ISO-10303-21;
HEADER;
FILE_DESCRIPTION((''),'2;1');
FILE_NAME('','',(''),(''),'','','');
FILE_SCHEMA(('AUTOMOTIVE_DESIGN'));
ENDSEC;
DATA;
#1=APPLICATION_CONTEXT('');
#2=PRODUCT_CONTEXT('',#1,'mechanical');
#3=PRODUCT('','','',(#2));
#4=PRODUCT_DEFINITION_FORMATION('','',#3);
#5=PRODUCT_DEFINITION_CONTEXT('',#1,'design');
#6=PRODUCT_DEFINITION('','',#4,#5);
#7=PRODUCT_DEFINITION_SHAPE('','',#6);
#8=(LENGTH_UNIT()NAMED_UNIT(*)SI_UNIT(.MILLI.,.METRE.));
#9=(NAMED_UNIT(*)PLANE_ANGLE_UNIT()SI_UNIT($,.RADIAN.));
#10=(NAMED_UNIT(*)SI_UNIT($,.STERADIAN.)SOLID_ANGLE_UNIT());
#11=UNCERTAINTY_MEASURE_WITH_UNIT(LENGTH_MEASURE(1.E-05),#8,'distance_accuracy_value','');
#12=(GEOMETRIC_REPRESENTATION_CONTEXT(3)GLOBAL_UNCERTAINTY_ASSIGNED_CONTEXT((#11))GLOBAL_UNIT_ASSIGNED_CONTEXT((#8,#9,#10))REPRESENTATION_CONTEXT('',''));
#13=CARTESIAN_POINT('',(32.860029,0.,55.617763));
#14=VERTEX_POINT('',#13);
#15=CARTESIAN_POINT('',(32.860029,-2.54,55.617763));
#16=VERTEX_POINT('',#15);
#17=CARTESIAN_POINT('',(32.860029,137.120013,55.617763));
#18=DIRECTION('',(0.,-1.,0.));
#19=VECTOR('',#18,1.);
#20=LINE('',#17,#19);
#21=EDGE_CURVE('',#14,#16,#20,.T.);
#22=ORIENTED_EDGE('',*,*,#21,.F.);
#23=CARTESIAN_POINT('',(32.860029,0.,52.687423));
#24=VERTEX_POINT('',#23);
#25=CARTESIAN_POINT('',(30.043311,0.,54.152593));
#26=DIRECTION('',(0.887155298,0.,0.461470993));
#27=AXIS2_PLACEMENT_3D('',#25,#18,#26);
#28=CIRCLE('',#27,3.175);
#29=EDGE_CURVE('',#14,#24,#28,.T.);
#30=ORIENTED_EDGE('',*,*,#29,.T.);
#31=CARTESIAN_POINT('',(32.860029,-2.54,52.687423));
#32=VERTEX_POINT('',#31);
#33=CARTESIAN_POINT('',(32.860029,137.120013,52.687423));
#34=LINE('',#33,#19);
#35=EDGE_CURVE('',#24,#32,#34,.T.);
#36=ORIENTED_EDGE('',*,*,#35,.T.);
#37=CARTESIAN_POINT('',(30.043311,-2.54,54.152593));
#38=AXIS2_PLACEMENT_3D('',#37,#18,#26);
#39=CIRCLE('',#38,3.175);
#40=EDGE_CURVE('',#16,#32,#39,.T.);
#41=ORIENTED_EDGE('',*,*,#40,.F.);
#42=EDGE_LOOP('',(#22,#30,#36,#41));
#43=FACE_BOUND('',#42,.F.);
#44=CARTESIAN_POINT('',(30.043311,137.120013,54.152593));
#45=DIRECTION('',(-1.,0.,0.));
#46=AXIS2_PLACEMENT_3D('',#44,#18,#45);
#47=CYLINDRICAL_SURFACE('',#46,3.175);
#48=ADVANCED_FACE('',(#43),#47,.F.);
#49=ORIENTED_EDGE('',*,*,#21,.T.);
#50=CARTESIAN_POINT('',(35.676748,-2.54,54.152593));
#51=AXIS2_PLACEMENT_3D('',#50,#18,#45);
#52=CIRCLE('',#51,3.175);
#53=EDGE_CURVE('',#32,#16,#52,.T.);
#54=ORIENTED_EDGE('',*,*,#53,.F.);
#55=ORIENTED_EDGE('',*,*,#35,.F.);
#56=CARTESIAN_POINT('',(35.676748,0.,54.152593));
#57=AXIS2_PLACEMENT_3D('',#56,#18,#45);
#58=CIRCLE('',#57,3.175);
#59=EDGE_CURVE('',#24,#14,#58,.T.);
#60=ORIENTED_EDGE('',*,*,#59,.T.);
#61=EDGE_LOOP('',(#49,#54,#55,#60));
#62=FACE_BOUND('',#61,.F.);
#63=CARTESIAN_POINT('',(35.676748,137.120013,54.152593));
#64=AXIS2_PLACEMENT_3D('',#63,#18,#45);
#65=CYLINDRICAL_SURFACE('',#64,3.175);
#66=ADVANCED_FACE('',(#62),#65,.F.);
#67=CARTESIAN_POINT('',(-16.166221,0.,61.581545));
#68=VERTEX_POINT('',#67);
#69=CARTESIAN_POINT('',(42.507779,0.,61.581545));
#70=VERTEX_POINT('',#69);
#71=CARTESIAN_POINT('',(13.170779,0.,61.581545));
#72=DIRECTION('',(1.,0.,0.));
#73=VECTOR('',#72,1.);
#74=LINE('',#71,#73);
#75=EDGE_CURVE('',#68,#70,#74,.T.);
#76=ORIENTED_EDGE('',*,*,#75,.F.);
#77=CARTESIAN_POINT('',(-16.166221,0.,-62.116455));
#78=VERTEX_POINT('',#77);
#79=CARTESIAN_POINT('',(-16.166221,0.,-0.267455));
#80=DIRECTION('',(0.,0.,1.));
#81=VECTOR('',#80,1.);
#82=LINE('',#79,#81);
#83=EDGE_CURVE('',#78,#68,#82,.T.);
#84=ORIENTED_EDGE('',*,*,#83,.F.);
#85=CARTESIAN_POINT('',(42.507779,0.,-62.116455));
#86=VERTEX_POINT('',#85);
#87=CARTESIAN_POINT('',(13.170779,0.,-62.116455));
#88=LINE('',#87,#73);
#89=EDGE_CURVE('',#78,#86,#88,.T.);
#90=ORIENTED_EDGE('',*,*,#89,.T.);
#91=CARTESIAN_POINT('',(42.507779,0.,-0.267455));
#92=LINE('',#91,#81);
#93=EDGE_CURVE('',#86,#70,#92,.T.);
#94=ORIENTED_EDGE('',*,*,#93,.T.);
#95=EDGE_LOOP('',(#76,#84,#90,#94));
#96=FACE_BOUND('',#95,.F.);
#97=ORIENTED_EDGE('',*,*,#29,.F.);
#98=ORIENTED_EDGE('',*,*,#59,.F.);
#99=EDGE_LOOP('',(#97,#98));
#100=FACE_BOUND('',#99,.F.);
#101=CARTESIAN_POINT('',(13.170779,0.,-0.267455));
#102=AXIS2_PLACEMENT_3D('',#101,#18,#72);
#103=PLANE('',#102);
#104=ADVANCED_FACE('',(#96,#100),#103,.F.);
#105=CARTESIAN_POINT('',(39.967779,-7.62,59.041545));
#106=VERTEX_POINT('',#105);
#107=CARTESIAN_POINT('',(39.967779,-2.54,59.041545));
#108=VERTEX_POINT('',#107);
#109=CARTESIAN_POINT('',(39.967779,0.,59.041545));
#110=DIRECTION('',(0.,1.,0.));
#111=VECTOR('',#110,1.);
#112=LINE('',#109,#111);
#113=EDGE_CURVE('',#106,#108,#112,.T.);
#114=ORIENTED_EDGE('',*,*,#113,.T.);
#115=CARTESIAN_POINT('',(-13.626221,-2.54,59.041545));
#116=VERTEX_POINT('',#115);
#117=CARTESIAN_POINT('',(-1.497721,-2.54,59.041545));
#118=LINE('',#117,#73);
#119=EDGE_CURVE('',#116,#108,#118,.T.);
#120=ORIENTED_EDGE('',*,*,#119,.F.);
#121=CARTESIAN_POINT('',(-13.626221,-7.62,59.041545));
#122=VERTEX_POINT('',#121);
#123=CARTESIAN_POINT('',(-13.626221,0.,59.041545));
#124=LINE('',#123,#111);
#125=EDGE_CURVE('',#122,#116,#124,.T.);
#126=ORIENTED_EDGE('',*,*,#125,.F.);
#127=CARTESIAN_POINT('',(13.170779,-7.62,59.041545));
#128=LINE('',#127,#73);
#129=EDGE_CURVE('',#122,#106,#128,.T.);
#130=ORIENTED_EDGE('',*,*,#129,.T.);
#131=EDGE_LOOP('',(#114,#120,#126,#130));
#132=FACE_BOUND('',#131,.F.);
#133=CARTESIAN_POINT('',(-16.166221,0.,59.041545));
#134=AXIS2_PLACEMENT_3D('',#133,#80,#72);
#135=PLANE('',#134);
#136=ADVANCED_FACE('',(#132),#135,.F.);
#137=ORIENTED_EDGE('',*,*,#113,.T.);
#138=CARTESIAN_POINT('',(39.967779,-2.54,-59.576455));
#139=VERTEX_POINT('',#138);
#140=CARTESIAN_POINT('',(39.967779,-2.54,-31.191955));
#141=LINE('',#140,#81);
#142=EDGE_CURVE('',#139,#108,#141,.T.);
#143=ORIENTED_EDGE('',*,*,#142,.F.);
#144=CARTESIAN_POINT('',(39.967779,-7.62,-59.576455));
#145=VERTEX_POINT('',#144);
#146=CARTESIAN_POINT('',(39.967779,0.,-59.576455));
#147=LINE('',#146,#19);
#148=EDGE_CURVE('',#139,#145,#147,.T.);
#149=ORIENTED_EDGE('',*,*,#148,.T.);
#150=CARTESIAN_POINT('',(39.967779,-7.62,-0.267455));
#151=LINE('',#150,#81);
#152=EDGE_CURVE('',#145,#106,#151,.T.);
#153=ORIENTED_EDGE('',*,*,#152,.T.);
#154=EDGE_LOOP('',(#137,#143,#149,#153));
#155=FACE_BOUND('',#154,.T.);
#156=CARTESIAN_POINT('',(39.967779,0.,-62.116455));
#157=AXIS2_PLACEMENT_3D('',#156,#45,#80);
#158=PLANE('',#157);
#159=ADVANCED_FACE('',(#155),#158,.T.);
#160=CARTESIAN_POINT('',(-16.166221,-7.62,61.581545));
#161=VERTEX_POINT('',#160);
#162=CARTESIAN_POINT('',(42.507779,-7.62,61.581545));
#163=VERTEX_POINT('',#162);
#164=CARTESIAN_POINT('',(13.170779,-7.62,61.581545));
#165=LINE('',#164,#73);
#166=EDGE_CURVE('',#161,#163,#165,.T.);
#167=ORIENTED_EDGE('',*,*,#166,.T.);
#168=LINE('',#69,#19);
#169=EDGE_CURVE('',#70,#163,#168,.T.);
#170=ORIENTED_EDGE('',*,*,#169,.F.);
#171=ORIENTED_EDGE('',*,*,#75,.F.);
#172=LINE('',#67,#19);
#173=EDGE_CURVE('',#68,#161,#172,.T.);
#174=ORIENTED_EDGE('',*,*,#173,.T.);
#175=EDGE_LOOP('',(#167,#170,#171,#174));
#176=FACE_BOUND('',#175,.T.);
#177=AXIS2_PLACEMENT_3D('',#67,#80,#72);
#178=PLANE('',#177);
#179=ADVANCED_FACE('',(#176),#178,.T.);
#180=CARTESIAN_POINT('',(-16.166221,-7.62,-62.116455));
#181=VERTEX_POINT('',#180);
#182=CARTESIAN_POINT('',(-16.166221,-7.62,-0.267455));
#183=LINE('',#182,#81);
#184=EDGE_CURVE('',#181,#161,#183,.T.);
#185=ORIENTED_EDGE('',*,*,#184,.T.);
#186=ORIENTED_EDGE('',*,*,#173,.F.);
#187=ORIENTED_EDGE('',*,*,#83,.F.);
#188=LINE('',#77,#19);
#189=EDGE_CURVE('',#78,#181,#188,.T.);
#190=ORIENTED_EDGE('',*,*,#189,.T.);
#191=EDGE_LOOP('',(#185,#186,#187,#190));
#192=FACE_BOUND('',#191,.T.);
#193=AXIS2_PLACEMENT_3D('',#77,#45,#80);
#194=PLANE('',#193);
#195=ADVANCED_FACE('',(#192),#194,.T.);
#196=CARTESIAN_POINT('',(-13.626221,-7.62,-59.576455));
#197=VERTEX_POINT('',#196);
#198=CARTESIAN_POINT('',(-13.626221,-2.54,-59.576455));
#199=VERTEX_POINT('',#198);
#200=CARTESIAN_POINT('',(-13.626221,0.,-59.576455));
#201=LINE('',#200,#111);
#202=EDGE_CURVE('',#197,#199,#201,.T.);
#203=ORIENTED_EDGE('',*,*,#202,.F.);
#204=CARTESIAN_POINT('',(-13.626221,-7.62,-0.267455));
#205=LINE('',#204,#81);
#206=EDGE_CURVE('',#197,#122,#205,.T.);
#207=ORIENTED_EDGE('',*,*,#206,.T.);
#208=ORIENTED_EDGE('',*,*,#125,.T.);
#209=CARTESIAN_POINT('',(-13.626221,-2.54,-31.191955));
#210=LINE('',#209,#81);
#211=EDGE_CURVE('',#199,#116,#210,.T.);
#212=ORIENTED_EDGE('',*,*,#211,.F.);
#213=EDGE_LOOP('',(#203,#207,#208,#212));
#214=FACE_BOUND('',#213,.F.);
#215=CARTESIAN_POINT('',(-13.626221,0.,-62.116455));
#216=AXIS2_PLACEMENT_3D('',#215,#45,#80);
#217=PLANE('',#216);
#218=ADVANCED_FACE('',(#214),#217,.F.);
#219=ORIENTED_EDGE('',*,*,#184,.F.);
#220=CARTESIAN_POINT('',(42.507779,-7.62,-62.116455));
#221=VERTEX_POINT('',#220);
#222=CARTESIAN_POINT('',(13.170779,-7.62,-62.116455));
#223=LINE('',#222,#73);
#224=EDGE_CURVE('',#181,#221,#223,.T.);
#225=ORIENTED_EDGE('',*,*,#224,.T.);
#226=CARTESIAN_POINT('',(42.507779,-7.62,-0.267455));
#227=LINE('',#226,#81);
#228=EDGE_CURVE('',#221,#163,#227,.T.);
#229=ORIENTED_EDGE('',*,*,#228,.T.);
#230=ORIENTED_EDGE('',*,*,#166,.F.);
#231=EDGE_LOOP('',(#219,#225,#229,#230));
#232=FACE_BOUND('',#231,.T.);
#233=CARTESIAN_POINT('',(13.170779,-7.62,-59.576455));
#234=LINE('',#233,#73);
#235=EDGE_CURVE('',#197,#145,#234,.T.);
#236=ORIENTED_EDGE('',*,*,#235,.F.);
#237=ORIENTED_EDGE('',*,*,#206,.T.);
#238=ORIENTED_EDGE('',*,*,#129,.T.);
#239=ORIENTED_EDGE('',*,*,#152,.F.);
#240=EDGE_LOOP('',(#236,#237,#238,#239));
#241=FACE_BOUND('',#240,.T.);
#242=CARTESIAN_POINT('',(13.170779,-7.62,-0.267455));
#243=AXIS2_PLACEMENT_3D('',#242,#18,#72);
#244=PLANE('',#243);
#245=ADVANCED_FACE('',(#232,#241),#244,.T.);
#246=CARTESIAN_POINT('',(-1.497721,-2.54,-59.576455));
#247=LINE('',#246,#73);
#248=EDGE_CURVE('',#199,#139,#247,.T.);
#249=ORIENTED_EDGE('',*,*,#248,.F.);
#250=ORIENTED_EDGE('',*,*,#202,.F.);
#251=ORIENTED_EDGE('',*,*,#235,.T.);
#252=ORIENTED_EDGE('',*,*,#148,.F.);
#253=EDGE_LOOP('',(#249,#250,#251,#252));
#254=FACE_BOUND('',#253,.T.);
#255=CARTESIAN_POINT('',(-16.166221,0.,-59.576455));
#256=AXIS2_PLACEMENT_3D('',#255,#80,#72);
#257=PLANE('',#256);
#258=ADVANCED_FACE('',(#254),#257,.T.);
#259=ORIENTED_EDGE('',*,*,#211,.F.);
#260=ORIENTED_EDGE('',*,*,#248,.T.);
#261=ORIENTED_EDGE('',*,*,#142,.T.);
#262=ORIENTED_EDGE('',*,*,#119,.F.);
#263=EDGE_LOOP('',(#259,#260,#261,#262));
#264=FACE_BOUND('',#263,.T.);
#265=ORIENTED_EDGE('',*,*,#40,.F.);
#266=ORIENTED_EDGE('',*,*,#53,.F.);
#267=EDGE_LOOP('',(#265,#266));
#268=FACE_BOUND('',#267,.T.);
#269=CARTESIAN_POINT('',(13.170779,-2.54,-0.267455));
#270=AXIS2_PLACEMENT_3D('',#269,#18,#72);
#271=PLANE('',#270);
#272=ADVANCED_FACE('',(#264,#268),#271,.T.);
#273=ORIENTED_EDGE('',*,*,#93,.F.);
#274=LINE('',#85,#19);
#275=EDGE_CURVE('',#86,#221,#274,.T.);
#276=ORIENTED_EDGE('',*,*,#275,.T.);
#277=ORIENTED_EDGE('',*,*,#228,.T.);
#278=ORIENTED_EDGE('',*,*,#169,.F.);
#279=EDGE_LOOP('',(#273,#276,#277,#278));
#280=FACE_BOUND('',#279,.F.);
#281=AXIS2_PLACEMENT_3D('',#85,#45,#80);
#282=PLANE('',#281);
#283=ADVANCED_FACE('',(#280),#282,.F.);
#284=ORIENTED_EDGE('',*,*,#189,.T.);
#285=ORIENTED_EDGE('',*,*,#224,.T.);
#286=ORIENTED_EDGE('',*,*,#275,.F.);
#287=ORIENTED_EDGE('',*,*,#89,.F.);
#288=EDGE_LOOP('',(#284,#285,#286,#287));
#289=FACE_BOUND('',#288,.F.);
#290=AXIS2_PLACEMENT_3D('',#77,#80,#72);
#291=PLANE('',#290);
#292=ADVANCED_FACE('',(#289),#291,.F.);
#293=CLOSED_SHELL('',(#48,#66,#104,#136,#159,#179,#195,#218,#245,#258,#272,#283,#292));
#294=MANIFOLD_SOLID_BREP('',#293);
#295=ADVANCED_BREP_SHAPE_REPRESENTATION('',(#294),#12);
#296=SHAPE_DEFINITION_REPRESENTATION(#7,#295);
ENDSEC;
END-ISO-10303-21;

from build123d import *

# Parameters (mm, degrees)
F0_W     = 58.674
F0_H     = 123.698
F1_DEPTH = 7.62
F2_T     = -2.54
F4_D     = 6.35


with BuildPart() as f1:
    # F0 (on Front) → F1 (new body)
    with BuildSketch(Plane.XZ):
        with Locations((13.1707786496, -0.2674552867)):
            Rectangle(F0_W, F0_H)
    extrude(amount=F1_DEPTH)

    # F2
    f2_openings = [f1.faces().sort_by_distance(p)[0] for p in [
        (13.170779, -7.62, -0.267455),
    ]]
    offset(amount=F2_T, openings=f2_openings)

    # F4 (through all)
    with Locations(Plane(origin=(0, 0, 0), x_dir=(1, 0, 0), z_dir=(0, 1, 0))):
        with Locations((30.0433114171, -54.1525930166), (35.6767475605, -54.1525930166)):
            Hole(F4_D / 2)


solid = f1.part
